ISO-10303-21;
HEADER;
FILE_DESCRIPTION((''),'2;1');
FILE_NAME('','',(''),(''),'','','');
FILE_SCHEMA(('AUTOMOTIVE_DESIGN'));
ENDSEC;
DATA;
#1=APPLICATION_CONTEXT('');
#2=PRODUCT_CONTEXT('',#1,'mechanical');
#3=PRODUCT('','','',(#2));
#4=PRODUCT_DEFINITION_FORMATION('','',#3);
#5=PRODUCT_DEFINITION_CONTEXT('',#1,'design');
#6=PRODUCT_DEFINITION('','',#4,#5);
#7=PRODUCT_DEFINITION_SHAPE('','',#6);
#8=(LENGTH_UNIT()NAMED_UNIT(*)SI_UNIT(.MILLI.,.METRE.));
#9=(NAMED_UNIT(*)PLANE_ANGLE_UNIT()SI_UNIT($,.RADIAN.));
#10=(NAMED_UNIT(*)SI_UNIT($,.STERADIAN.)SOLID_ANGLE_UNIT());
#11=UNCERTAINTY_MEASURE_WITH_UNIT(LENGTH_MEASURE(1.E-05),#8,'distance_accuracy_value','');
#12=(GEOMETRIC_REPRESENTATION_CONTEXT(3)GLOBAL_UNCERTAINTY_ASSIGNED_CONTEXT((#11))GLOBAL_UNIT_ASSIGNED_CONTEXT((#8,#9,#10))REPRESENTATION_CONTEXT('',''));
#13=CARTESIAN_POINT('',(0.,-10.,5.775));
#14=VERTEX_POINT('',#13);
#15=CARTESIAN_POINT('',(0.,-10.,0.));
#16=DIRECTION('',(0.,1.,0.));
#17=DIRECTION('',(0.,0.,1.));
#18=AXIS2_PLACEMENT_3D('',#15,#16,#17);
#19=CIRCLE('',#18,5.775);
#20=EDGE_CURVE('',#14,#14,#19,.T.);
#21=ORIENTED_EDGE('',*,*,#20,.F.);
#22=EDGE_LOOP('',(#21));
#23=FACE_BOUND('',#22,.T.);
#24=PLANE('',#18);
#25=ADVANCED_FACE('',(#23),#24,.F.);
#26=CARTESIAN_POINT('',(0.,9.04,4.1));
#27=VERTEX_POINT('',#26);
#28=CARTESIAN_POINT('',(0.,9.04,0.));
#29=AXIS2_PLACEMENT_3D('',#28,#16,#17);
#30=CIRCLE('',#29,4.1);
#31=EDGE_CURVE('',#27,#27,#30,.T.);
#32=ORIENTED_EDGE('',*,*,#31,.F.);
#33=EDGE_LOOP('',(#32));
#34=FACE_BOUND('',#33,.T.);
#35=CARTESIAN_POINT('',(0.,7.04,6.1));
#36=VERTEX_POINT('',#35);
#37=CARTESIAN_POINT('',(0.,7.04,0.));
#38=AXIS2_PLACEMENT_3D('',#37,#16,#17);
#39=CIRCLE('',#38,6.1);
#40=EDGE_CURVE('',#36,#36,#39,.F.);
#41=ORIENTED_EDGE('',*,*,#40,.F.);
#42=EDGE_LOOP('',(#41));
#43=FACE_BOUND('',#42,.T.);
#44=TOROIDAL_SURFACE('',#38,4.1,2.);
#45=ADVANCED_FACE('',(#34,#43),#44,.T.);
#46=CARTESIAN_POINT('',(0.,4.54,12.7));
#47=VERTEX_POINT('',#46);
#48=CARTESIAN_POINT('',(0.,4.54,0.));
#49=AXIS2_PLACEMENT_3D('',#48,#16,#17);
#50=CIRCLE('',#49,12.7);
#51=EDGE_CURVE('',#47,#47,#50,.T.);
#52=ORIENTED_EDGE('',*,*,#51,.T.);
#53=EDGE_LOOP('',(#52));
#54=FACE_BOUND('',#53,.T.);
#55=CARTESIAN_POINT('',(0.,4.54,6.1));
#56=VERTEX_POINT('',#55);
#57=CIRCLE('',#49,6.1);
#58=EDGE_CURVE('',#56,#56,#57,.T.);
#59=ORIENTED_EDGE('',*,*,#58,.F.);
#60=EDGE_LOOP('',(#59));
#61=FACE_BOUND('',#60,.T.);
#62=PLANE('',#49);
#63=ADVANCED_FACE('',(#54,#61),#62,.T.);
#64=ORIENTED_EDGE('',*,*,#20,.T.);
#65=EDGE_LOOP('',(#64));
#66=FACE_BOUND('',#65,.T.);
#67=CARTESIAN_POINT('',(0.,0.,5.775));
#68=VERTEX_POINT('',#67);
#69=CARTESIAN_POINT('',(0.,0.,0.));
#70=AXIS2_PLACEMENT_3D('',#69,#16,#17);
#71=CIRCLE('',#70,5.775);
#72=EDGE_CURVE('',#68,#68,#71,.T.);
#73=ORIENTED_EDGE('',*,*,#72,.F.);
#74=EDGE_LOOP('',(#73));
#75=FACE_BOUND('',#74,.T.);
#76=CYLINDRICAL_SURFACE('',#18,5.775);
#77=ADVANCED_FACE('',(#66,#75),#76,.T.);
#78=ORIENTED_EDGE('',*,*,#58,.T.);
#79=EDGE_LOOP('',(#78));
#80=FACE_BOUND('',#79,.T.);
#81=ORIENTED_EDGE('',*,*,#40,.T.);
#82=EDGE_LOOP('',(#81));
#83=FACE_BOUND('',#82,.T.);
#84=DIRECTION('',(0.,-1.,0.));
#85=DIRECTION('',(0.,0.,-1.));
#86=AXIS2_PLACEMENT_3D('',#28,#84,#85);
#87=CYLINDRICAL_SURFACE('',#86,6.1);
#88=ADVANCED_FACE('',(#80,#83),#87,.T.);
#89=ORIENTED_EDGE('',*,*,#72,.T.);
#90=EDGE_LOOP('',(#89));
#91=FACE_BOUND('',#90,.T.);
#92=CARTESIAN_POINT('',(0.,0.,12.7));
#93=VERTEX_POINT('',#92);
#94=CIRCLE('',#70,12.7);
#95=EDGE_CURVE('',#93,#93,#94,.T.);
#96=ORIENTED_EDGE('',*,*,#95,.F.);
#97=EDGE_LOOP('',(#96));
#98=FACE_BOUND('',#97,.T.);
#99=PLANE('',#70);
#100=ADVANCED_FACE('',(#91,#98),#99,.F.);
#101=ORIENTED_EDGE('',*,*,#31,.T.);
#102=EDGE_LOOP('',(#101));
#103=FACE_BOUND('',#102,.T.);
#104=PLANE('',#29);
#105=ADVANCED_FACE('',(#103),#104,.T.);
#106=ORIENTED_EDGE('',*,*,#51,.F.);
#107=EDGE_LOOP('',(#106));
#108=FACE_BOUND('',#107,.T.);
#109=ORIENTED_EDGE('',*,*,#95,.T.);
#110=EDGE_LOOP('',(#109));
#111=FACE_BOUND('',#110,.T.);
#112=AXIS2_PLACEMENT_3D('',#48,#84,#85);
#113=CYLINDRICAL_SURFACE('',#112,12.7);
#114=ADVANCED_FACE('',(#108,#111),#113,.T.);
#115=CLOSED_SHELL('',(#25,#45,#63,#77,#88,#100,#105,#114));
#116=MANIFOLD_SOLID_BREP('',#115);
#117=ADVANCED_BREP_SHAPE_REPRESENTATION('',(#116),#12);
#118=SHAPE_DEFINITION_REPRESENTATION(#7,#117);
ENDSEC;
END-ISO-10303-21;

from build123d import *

# Parameters (mm, degrees)
SKETCH1_R           = 5.775
BOSS_EXTRUDE1_DEPTH = 10
SKETCH2_R           = 12.7
BOSS_EXTRUDE2_DEPTH = 4.54
SKETCH3_R           = 6.1
BOSS_EXTRUDE3_DEPTH = 4.5
FILLET1_R           = 2


with BuildPart() as part:
    # Sketch1 → Boss-Extrude1 (new body)
    with BuildSketch(Plane(origin=(0, 0, 0), x_dir=(1, 0, 0), z_dir=(0, 1, 0))):
        with Locations(Location((0, 0, 0), (0, 0, 270))):
            Circle(SKETCH1_R)
    extrude(amount=-BOSS_EXTRUDE1_DEPTH)

    # Sketch2 → Boss-Extrude2 (add)
    with BuildSketch(Plane(origin=(0, 0, 0), x_dir=(1, 0, 0), z_dir=(0, 1, 0))):
        with Locations(Location((0, 0, 0), (0, 0, 270))):
            Circle(SKETCH2_R)
    extrude(amount=BOSS_EXTRUDE2_DEPTH)

    # Sketch3 → Boss-Extrude3 (add)
    with BuildSketch(Plane(origin=(0, 4.54, 0), x_dir=(1, 0, 0), z_dir=(0, 1, 0))):
        with Locations(Location((0, 0, 0), (0, 0, 270))):
            Circle(SKETCH3_R)
    extrude(amount=BOSS_EXTRUDE3_DEPTH)

    # Fillet1
    fillet1_edges = [part.edges().sort_by_distance(p)[0] for p in [
        (0, 9.04, -6.1),
    ]]
    fillet(fillet1_edges, radius=FILLET1_R)


solid = part.part
